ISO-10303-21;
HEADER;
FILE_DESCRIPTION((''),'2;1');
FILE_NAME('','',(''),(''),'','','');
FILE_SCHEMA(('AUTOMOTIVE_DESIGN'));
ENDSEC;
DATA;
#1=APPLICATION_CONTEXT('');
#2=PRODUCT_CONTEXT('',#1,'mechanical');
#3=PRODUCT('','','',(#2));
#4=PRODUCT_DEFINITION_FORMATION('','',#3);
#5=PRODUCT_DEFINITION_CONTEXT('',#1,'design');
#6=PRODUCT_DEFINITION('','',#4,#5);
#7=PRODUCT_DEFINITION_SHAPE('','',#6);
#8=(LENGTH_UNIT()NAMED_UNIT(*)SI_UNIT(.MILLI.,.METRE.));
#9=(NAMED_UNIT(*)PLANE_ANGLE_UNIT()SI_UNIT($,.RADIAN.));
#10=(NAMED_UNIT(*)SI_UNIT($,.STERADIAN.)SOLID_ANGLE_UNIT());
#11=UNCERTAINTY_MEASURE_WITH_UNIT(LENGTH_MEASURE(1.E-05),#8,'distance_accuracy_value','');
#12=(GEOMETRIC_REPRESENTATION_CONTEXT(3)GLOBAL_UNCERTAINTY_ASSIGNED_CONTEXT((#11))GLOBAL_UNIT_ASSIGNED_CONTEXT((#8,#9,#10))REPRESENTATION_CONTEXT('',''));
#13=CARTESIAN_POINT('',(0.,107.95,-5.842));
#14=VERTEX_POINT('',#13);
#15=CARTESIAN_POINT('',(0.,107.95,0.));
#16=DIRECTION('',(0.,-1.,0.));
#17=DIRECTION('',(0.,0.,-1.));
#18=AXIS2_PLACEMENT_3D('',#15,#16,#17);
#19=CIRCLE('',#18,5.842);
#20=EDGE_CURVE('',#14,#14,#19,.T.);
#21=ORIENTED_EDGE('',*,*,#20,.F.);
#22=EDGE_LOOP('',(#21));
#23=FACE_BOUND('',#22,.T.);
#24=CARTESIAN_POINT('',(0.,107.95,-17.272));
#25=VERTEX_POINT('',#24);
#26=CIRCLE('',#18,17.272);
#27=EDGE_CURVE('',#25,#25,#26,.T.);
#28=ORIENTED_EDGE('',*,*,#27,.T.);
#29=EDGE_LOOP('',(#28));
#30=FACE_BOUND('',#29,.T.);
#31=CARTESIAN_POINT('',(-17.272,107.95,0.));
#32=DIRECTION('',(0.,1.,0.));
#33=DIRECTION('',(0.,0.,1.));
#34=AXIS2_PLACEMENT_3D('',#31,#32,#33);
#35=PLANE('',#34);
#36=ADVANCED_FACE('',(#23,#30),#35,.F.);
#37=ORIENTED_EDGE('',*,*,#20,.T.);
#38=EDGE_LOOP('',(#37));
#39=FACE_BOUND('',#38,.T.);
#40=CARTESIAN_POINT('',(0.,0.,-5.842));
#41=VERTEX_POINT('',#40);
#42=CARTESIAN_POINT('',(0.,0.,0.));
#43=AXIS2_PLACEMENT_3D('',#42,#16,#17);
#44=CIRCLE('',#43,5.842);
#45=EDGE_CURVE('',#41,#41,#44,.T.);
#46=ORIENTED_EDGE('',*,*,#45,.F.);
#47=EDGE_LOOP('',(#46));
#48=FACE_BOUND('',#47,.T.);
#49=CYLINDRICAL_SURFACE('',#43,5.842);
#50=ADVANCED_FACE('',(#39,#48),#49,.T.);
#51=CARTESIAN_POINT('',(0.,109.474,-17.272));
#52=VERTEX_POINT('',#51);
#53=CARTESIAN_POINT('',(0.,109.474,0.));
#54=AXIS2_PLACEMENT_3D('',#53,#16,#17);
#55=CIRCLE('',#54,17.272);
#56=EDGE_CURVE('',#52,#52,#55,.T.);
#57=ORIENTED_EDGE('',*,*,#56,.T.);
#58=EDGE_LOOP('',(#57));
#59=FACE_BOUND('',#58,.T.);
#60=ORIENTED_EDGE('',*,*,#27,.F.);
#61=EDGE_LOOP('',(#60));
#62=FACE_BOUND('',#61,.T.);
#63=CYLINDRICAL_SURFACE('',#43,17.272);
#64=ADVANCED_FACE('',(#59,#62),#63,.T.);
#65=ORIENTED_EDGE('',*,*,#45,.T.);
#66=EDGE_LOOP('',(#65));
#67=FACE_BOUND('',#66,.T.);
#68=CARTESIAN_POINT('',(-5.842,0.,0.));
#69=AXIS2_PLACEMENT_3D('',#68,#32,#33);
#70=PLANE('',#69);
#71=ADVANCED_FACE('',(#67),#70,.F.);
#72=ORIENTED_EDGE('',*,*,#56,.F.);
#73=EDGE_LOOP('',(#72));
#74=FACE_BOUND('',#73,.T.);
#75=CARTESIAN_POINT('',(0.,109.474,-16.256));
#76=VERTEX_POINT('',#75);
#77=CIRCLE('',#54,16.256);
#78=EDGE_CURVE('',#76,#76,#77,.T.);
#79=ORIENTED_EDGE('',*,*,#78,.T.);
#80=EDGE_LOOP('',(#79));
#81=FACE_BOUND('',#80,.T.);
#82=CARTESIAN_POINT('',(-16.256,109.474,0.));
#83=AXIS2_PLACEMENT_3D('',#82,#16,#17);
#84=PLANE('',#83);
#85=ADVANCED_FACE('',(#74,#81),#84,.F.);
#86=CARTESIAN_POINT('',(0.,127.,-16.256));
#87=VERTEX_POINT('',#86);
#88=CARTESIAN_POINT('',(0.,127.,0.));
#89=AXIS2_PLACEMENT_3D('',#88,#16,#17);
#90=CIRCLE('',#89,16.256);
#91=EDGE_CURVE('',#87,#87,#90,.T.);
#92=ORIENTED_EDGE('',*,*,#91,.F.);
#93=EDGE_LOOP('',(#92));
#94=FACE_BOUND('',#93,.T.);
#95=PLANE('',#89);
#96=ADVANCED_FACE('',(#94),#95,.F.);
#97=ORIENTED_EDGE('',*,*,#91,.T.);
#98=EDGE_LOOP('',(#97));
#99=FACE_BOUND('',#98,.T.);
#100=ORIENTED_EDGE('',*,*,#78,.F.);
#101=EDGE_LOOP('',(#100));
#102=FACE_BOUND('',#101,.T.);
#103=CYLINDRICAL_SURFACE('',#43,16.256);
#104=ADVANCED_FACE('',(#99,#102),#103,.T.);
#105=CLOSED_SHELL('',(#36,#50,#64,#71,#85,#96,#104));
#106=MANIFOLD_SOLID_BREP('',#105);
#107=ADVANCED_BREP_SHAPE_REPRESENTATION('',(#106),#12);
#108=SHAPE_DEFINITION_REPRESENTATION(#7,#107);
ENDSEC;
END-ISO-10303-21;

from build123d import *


with BuildPart() as part:
    # Sketch1 → Revolve1 (revolve)
    with BuildSketch(Plane.XY, mode=Mode.PRIVATE) as revolve1_sk:
        Polygon((0, 0), (0, 127), (-16.256, 127), (-16.256, 109.474), (-17.272, 109.474), (-17.272, 107.95), (-5.842, 107.95), (-5.842, 0), align=None)
    revolve(revolve1_sk.sketch.rotate(Axis((0, 0, 0), (0, 1, 0)), 270), axis=Axis((0, 0, 0), (0, 1, 0)))


solid = part.part
